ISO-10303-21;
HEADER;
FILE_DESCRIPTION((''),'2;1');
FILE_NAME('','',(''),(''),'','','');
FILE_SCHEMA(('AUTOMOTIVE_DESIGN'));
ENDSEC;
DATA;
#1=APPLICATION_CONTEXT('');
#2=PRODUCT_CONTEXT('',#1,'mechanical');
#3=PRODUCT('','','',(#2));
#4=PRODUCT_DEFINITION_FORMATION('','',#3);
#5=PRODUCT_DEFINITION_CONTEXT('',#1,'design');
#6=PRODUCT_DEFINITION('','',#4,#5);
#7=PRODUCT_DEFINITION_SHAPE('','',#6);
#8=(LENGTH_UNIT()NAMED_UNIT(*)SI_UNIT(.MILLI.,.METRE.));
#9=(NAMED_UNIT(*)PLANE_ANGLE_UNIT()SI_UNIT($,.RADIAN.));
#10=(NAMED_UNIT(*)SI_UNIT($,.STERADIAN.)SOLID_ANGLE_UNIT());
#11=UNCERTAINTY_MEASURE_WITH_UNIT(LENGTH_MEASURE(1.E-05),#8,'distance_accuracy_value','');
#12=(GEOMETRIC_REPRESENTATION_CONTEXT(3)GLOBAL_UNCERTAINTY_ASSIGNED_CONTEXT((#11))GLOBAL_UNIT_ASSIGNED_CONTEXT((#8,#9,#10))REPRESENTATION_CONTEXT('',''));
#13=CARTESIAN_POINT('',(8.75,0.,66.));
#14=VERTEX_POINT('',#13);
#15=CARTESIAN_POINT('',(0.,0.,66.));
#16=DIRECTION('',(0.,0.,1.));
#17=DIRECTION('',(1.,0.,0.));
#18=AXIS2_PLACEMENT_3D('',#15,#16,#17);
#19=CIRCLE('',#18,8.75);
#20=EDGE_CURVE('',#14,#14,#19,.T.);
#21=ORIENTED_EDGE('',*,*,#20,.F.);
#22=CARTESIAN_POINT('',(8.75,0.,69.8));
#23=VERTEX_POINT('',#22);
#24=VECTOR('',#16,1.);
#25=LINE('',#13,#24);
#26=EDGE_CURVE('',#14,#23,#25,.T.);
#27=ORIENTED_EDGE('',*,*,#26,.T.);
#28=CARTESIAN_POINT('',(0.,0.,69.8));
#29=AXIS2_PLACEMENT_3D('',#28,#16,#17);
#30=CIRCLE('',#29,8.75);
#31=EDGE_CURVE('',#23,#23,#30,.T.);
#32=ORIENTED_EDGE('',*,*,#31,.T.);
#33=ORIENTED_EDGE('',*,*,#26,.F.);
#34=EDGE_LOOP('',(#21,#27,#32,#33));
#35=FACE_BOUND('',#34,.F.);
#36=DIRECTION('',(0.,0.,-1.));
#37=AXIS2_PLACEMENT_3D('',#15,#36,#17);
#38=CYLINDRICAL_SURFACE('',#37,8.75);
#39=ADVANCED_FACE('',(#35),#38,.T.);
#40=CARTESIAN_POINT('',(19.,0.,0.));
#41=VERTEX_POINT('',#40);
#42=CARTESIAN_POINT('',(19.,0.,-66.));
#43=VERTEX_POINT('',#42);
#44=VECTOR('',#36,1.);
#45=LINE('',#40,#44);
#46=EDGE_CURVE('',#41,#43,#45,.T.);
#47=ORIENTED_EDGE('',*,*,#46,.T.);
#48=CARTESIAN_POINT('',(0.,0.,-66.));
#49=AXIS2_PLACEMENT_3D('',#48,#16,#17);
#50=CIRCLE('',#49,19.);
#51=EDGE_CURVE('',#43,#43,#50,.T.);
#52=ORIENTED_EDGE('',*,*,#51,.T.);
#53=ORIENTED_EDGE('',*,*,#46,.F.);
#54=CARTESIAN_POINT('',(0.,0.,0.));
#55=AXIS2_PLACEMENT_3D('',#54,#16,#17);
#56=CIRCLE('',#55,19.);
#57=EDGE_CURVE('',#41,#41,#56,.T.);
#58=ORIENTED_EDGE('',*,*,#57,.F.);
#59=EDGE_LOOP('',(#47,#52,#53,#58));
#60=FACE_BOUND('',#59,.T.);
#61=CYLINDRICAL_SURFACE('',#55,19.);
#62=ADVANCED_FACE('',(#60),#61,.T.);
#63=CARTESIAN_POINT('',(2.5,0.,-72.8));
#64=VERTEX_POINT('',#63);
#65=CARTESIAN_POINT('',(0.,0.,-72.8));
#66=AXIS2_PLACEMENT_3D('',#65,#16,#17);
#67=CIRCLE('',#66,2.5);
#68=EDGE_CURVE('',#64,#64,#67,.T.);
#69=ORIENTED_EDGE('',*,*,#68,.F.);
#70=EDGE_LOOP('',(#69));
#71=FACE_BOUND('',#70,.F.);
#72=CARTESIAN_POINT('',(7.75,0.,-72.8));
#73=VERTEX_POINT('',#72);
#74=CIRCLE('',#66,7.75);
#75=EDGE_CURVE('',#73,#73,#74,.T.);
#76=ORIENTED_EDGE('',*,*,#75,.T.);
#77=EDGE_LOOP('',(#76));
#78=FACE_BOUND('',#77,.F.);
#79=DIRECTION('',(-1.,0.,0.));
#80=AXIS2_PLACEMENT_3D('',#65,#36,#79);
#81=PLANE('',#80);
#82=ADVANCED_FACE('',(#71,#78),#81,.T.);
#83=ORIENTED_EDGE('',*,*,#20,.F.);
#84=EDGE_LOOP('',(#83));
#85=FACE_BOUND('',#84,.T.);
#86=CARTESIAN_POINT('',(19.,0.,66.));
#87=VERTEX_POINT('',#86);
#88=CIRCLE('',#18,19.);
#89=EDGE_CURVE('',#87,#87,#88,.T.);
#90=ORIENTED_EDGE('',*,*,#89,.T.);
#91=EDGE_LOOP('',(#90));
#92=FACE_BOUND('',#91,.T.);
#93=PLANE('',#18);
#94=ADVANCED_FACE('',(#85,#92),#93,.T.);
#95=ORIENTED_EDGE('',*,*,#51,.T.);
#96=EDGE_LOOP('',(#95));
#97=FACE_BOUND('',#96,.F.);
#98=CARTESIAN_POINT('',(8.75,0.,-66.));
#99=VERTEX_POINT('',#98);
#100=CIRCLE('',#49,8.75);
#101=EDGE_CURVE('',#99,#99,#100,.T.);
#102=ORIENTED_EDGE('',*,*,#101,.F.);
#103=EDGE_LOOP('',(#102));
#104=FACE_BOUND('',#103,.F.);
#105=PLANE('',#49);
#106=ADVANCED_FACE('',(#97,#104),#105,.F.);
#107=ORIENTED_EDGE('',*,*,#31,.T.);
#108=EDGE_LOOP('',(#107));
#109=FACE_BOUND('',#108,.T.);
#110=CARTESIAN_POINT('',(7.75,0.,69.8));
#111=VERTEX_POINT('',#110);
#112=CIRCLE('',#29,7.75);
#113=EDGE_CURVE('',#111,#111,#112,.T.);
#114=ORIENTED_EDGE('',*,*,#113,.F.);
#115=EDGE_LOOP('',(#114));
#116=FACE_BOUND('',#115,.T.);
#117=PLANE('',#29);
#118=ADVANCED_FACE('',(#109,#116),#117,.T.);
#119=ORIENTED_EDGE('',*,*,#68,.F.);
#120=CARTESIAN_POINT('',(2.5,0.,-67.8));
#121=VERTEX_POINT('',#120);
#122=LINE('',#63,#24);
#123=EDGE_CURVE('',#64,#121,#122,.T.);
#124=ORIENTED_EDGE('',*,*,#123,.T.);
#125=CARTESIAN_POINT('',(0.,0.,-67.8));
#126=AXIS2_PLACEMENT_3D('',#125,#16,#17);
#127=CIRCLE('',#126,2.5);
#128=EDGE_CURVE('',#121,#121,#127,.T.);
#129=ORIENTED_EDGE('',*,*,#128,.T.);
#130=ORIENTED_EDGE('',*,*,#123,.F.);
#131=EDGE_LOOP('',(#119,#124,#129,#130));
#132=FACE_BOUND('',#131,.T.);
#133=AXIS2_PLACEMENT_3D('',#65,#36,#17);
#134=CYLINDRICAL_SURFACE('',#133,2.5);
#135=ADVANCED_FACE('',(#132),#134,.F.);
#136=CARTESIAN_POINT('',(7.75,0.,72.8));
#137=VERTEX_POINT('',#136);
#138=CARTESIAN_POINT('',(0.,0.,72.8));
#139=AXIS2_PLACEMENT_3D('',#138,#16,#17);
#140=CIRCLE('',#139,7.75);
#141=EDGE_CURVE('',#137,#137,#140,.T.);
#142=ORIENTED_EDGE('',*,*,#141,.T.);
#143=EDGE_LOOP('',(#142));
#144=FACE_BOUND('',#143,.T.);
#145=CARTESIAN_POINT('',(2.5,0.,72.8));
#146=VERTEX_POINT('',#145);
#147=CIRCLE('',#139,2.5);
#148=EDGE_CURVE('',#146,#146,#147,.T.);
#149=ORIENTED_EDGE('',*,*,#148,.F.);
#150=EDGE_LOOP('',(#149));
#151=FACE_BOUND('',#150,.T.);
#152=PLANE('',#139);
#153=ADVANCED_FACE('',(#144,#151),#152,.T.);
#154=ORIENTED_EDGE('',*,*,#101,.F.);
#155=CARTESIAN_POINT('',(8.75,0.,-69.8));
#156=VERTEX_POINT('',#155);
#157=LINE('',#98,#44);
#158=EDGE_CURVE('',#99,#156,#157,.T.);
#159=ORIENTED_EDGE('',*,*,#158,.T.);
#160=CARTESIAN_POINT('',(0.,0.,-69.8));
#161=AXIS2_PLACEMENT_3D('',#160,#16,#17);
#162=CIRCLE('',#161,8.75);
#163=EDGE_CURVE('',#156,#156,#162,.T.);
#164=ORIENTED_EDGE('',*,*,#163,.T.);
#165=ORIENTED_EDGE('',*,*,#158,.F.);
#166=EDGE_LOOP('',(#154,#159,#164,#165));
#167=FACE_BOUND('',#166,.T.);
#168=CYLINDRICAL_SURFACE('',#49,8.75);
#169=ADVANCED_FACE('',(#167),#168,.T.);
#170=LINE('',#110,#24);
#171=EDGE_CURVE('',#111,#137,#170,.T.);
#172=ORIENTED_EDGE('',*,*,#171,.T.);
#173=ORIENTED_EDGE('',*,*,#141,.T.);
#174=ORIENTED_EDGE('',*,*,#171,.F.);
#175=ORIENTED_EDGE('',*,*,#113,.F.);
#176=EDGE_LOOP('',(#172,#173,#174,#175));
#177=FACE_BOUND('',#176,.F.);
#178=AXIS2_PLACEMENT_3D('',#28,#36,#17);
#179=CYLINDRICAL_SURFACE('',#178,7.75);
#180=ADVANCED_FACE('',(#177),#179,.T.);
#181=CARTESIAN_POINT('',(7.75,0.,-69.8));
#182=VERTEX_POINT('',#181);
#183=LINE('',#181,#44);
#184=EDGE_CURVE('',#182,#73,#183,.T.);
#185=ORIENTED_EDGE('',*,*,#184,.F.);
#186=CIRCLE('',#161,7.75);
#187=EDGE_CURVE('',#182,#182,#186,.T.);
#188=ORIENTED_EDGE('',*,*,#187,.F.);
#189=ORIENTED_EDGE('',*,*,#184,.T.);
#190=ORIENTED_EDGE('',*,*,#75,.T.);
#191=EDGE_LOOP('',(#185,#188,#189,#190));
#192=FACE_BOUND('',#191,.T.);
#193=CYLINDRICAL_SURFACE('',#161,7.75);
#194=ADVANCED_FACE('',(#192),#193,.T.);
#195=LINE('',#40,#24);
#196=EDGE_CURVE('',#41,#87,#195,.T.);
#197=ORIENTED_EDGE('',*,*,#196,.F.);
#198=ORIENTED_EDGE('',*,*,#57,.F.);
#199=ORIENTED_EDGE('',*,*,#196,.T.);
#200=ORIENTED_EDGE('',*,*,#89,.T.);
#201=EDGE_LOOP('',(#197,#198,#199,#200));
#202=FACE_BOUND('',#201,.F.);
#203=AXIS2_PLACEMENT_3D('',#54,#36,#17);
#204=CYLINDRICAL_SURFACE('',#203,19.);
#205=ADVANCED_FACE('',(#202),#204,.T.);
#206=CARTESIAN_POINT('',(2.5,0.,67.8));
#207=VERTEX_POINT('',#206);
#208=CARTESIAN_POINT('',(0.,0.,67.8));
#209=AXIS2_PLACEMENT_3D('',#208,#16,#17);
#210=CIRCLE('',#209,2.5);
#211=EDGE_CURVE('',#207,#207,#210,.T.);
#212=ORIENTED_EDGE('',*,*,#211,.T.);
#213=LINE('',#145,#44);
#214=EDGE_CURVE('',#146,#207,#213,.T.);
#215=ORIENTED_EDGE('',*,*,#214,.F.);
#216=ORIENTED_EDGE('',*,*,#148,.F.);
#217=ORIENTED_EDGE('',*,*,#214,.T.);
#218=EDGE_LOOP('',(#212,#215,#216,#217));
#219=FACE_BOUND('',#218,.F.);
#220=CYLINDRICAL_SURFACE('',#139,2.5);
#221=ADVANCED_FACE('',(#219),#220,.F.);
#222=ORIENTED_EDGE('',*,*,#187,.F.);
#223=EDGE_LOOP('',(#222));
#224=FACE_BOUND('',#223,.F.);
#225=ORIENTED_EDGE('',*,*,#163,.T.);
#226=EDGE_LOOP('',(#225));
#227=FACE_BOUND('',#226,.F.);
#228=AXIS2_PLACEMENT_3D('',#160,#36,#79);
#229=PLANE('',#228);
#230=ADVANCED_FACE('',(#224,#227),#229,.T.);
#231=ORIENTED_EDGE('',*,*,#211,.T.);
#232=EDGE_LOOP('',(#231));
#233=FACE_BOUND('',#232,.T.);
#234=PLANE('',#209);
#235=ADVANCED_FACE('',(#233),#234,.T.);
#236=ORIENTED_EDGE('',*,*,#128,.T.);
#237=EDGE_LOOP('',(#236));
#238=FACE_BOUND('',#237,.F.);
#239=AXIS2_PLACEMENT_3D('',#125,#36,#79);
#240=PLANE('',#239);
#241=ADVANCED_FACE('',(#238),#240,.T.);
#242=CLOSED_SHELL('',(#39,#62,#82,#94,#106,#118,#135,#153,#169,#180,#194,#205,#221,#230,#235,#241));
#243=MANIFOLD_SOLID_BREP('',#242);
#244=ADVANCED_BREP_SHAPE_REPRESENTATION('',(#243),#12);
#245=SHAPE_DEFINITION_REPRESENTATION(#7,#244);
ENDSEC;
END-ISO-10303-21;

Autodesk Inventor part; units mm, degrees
ref_plane "YZ Plane" through (0, 0, 0) normal (1, 0, 0) x (0, 1, 0)
ref_plane "XZ Plane" through (0, 0, 0) normal (0, 1, 0) x (-1, 0, 0)
ref_plane "XY Plane" through (0, 0, 0) normal (0, 0, 1) x (1, 0, 0)
sketch "Sketch1" plane through (0, 0, 0) normal (0, 0, 1) x (1, 0, 0)
  circle A0 centre (0, 0) radius 19
  dimension "d0" = 38
extrude "Base_Shell" add sketch "Sketch1" along normal mid plane 132
sketch "Sketch2" plane through (0, 0, 66) normal (0, 0, 1) x (1, 0, 0)
  circle A0 centre (0, 0) radius 8.75
  dimension "d3" = 17.5
extrude "Terminal_Shell" add sketch "Sketch2" along normal blind 3.8
sketch "Sketch3" plane through (0, 0, 69.8) normal (0, 0, 1) x (1, 0, 0)
  circle A0 centre (0, 0) radius 7.75
  dimension "d6" = 15.5
extrude "Terminal" add sketch "Sketch3" along normal blind 3
sketch "Sketch4" plane through (0, 0, 72.8) normal (0, 0, 1) x (1, 0, 0)
  circle A0 centre (0, 0) radius 2.5
  dimension "d9" = 5
extrude "M5_Terminal_Screw_hole" cut sketch "Sketch4" against normal blind 5
mirror "Mirror1" about plane through (0, 0, 0) normal (0, 0, 1) of "Terminal_Shell", "Terminal", "M5_Terminal_Screw_hole"
equation "\"d1\" = 3.47368 * d0"
equation "\"d3\" = 0.460526 * d0"
equation "\"d4\" = 0.1 * d0"
equation "\"d6\" = 0.407895 * d0"
equation "\"d7\" = 0.0789474 * d0"
equation "\"d9\" = 0.131579 * d0"
equation "\"d10\" = d9"
properties part number "38120s-10Ah" material "Nickel-Copper Alloy 400"
